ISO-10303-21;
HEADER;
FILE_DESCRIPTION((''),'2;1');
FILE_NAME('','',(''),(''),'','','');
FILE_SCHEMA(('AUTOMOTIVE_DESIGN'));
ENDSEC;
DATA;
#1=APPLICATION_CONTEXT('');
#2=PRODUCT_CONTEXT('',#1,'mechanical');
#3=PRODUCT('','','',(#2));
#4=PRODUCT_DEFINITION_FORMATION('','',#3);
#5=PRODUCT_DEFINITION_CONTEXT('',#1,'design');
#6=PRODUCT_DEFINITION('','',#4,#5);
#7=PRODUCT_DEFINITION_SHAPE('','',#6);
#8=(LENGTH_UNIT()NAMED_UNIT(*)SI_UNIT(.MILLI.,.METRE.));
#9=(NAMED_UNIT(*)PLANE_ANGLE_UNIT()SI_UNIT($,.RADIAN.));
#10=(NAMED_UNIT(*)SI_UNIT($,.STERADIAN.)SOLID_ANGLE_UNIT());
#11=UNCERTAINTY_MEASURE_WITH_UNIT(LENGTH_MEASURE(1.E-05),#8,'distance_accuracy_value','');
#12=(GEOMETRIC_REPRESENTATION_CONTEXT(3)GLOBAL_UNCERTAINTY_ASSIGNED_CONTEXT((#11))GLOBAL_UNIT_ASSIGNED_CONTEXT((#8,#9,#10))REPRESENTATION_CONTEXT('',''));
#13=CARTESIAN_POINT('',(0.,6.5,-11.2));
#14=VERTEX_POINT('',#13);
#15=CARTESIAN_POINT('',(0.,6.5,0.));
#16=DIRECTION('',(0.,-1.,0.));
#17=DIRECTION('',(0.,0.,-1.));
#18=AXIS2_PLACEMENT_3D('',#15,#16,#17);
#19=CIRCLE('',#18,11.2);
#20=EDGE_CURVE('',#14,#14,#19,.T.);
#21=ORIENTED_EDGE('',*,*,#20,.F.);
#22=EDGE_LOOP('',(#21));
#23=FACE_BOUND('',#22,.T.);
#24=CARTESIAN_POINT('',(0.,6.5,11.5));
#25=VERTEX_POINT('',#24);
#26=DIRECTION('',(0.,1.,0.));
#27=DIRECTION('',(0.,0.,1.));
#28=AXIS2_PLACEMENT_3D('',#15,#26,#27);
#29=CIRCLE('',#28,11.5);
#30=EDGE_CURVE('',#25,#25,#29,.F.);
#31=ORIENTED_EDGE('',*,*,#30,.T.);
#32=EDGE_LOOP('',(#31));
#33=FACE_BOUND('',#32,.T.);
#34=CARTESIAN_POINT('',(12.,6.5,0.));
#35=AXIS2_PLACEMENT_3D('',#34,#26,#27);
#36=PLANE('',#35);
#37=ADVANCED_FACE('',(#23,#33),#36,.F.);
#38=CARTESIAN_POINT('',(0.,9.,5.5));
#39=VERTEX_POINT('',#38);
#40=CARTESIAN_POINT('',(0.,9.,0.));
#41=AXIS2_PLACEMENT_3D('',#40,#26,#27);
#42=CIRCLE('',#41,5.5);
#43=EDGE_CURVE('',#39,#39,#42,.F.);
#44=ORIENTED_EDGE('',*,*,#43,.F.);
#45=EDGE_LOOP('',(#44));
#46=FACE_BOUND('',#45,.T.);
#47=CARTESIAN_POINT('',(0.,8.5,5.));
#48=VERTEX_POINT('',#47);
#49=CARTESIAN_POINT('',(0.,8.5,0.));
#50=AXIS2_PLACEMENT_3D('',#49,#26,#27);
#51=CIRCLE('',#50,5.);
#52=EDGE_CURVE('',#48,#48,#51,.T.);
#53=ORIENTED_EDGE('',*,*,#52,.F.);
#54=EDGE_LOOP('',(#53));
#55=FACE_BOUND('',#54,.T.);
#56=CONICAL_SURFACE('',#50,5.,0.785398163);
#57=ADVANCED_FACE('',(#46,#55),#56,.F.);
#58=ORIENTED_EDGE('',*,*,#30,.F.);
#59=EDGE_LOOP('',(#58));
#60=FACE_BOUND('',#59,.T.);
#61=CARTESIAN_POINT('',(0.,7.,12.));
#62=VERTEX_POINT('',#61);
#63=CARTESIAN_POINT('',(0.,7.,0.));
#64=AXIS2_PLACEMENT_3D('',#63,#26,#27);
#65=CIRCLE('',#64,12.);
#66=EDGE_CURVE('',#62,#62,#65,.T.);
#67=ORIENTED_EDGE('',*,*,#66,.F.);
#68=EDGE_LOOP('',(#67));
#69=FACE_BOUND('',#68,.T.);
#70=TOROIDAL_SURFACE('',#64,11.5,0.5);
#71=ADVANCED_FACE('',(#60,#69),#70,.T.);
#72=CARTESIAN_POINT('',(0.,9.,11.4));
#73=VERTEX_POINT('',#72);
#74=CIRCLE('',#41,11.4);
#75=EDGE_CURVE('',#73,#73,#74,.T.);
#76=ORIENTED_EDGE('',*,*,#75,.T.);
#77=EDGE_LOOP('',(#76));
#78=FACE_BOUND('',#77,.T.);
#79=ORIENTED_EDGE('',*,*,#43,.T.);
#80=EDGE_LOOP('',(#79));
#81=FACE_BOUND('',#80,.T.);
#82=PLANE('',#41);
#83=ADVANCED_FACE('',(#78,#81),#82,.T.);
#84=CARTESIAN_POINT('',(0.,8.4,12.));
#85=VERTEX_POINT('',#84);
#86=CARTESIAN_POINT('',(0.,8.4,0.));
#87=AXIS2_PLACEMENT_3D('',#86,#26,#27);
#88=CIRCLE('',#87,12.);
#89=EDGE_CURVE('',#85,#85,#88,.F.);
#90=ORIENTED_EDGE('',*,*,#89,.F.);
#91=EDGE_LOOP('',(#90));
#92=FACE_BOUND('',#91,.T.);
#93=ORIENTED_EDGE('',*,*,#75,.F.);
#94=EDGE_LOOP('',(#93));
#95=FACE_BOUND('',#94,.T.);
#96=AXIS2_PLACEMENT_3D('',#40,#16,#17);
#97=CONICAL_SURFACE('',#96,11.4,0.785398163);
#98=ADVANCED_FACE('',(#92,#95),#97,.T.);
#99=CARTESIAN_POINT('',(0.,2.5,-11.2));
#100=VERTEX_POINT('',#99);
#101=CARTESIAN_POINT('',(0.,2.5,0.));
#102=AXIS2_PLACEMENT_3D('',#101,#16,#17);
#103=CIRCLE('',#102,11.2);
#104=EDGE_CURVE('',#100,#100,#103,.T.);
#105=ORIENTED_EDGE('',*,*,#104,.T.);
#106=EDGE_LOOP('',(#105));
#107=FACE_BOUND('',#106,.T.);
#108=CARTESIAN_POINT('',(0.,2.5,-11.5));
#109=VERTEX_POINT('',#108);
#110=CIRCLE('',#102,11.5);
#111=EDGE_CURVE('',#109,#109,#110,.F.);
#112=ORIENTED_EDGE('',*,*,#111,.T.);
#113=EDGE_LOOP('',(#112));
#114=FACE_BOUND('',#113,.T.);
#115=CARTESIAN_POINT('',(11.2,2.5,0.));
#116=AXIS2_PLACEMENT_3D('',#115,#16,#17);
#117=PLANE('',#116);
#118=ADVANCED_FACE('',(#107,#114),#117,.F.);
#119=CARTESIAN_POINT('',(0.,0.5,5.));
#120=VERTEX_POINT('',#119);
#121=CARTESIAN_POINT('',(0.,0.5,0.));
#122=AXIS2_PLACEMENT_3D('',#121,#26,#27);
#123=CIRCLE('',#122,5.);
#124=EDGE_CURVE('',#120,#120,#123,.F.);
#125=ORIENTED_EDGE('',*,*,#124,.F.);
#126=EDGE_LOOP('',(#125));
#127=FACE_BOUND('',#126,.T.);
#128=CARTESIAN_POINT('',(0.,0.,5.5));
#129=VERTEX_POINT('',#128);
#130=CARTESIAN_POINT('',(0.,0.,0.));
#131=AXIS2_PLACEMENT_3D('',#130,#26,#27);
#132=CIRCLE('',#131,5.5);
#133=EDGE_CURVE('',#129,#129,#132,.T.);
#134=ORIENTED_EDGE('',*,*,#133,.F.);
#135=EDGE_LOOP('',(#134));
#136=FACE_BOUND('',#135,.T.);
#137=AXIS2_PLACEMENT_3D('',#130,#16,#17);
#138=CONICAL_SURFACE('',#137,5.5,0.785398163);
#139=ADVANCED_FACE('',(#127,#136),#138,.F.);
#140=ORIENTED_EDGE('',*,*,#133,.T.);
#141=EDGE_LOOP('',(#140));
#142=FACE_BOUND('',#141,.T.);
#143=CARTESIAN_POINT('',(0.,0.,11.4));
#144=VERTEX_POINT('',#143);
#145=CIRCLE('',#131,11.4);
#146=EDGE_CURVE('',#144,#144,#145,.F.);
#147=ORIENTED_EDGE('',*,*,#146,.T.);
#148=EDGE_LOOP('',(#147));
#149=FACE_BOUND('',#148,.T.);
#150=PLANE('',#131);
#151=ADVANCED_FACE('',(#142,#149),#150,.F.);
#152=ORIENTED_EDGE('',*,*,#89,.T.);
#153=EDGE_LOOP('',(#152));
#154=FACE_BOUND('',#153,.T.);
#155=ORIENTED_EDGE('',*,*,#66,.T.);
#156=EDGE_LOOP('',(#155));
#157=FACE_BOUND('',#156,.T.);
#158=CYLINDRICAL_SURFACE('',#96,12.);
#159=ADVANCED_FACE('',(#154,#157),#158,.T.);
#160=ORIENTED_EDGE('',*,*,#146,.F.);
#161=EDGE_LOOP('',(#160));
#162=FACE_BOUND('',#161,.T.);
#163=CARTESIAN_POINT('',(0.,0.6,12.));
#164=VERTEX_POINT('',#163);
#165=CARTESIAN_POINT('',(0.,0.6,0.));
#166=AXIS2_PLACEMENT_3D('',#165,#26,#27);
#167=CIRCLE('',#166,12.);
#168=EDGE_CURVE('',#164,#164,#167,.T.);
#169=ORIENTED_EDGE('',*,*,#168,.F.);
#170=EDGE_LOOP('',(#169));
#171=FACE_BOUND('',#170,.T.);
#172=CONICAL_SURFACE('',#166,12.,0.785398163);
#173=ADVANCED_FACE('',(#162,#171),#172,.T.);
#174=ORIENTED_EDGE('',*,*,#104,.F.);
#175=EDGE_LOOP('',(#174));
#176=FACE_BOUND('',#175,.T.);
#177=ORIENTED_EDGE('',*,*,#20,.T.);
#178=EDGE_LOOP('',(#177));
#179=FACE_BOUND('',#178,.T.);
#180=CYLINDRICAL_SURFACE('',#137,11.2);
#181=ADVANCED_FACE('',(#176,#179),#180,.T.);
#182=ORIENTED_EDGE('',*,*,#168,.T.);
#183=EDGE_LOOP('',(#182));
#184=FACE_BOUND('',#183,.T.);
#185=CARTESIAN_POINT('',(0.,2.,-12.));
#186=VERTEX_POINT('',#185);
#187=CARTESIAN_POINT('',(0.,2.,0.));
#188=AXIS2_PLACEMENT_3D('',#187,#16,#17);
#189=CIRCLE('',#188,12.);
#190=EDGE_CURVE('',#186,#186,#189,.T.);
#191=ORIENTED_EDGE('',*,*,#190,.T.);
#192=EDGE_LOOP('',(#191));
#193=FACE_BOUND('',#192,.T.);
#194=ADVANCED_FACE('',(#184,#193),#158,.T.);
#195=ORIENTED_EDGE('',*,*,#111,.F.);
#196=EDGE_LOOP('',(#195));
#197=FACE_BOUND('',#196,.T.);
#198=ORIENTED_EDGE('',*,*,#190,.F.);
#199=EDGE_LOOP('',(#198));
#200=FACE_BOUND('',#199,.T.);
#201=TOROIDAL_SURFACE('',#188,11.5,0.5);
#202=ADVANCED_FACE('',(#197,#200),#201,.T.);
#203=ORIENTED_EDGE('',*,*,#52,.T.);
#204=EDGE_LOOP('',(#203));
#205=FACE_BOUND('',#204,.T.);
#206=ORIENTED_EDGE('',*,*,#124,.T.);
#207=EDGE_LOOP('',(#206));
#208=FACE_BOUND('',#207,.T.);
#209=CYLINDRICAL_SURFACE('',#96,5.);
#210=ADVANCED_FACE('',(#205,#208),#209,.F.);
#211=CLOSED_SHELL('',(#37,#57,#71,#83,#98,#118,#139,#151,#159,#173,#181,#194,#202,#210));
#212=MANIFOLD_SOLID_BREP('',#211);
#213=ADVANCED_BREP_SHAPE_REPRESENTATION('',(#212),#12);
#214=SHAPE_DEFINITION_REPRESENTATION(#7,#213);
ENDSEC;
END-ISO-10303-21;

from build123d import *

# Parameters (mm, degrees)
SKETCH_1_R      = 12
SKETCH_1_R_2    = 5
EXTRUDE_1_DEPTH = 9
CHAMFER_1_SIZE  = 0.6
FILLET_1_R      = 0.5
CHAMFER_2_SIZE  = 0.5


with BuildPart() as part:
    # 草图1 → 凸台-拉伸1 (new body)
    with BuildSketch(Plane(origin=(0, 0, 0), x_dir=(1, 0, 0), z_dir=(0, 1, 0))):
        Circle(SKETCH_1_R)
        Circle(SKETCH_1_R_2, mode=Mode.SUBTRACT)
    extrude(amount=EXTRUDE_1_DEPTH)

    # 倒角1
    chamfer_1_edges = [part.edges().sort_by_distance(p)[0] for p in [
        (-12, 0, 0),
        (-12, 9, 0),
    ]]
    chamfer(chamfer_1_edges, length=CHAMFER_1_SIZE)

    # 草图2 → 切除-旋转1 (revolve, cut)
    with BuildSketch(Plane.XY):
        Polygon((12, 6.5), (11.2, 6.5), (11.2, 2.5), (12, 2.5), (14.67598619, 3.734930545), align=None)
    revolve(axis=Axis((0, 0, 0), (0, 1, 0)), mode=Mode.SUBTRACT)

    # 圆角1
    fillet_1_edges = [part.edges().sort_by_distance(p)[0] for p in [
        (-12, 6.5, 0),
        (-12, 2.5, 0),
    ]]
    fillet(fillet_1_edges, radius=FILLET_1_R)

    # 倒角2
    chamfer_2_edges = [part.edges().sort_by_distance(p)[0] for p in [
        (-5, 0, 0),
        (-5, 9, 0),
    ]]
    chamfer(chamfer_2_edges, length=CHAMFER_2_SIZE)


solid = part.part
